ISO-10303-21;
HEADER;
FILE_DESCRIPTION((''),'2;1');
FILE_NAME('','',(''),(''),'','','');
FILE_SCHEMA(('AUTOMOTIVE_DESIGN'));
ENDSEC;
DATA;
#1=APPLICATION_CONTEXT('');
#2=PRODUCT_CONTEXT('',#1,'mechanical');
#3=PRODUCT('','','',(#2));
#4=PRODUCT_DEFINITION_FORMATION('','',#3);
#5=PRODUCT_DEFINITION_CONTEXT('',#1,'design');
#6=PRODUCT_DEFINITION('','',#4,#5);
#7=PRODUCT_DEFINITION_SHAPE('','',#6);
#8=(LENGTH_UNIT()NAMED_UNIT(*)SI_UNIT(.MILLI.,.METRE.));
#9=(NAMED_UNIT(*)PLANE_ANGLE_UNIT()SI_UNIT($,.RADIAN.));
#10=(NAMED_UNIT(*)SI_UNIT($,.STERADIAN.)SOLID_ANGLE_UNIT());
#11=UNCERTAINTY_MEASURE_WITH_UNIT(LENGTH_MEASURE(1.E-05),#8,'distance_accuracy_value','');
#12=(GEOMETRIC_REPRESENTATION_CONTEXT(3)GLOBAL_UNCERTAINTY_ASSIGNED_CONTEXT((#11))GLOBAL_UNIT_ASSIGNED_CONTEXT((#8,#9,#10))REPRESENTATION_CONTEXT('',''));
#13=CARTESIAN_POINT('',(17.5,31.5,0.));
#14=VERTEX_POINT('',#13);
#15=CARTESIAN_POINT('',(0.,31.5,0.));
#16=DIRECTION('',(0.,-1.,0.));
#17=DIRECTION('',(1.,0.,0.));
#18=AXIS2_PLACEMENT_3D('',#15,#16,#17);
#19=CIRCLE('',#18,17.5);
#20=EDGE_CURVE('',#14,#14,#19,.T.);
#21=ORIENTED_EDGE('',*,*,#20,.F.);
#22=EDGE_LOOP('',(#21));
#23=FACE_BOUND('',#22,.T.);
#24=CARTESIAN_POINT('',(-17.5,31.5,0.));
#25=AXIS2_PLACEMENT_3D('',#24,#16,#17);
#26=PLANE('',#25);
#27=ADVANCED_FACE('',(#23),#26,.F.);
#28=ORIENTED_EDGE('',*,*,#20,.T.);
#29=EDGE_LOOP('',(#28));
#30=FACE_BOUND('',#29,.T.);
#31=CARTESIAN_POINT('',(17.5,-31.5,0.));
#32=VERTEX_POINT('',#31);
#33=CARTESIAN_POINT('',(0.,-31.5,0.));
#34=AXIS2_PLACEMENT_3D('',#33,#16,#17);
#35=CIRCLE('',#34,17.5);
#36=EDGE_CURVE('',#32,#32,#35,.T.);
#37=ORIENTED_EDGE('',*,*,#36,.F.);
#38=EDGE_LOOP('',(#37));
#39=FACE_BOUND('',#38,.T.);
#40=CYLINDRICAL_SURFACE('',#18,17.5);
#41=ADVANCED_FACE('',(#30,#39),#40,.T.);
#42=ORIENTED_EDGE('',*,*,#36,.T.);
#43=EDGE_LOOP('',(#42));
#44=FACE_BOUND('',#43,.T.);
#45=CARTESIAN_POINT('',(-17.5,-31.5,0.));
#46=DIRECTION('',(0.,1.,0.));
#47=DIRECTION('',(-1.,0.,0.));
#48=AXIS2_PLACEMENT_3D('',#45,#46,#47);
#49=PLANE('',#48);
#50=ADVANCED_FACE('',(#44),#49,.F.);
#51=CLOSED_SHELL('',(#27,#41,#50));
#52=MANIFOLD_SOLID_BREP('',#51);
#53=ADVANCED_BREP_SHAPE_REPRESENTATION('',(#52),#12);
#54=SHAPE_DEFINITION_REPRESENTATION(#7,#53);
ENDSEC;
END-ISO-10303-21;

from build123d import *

# Parameters (mm, degrees)
SKETCH1_W = 17.5
SKETCH1_H = 63


with BuildPart() as part:
    # Sketch1 → Revolve1 (revolve)
    with BuildSketch(Plane.XY):
        with Locations((-8.75, 0)):
            Rectangle(SKETCH1_W, SKETCH1_H)
    revolve(axis=Axis((0, 31.5, 0), (0, 1, 0)))


solid = part.part
